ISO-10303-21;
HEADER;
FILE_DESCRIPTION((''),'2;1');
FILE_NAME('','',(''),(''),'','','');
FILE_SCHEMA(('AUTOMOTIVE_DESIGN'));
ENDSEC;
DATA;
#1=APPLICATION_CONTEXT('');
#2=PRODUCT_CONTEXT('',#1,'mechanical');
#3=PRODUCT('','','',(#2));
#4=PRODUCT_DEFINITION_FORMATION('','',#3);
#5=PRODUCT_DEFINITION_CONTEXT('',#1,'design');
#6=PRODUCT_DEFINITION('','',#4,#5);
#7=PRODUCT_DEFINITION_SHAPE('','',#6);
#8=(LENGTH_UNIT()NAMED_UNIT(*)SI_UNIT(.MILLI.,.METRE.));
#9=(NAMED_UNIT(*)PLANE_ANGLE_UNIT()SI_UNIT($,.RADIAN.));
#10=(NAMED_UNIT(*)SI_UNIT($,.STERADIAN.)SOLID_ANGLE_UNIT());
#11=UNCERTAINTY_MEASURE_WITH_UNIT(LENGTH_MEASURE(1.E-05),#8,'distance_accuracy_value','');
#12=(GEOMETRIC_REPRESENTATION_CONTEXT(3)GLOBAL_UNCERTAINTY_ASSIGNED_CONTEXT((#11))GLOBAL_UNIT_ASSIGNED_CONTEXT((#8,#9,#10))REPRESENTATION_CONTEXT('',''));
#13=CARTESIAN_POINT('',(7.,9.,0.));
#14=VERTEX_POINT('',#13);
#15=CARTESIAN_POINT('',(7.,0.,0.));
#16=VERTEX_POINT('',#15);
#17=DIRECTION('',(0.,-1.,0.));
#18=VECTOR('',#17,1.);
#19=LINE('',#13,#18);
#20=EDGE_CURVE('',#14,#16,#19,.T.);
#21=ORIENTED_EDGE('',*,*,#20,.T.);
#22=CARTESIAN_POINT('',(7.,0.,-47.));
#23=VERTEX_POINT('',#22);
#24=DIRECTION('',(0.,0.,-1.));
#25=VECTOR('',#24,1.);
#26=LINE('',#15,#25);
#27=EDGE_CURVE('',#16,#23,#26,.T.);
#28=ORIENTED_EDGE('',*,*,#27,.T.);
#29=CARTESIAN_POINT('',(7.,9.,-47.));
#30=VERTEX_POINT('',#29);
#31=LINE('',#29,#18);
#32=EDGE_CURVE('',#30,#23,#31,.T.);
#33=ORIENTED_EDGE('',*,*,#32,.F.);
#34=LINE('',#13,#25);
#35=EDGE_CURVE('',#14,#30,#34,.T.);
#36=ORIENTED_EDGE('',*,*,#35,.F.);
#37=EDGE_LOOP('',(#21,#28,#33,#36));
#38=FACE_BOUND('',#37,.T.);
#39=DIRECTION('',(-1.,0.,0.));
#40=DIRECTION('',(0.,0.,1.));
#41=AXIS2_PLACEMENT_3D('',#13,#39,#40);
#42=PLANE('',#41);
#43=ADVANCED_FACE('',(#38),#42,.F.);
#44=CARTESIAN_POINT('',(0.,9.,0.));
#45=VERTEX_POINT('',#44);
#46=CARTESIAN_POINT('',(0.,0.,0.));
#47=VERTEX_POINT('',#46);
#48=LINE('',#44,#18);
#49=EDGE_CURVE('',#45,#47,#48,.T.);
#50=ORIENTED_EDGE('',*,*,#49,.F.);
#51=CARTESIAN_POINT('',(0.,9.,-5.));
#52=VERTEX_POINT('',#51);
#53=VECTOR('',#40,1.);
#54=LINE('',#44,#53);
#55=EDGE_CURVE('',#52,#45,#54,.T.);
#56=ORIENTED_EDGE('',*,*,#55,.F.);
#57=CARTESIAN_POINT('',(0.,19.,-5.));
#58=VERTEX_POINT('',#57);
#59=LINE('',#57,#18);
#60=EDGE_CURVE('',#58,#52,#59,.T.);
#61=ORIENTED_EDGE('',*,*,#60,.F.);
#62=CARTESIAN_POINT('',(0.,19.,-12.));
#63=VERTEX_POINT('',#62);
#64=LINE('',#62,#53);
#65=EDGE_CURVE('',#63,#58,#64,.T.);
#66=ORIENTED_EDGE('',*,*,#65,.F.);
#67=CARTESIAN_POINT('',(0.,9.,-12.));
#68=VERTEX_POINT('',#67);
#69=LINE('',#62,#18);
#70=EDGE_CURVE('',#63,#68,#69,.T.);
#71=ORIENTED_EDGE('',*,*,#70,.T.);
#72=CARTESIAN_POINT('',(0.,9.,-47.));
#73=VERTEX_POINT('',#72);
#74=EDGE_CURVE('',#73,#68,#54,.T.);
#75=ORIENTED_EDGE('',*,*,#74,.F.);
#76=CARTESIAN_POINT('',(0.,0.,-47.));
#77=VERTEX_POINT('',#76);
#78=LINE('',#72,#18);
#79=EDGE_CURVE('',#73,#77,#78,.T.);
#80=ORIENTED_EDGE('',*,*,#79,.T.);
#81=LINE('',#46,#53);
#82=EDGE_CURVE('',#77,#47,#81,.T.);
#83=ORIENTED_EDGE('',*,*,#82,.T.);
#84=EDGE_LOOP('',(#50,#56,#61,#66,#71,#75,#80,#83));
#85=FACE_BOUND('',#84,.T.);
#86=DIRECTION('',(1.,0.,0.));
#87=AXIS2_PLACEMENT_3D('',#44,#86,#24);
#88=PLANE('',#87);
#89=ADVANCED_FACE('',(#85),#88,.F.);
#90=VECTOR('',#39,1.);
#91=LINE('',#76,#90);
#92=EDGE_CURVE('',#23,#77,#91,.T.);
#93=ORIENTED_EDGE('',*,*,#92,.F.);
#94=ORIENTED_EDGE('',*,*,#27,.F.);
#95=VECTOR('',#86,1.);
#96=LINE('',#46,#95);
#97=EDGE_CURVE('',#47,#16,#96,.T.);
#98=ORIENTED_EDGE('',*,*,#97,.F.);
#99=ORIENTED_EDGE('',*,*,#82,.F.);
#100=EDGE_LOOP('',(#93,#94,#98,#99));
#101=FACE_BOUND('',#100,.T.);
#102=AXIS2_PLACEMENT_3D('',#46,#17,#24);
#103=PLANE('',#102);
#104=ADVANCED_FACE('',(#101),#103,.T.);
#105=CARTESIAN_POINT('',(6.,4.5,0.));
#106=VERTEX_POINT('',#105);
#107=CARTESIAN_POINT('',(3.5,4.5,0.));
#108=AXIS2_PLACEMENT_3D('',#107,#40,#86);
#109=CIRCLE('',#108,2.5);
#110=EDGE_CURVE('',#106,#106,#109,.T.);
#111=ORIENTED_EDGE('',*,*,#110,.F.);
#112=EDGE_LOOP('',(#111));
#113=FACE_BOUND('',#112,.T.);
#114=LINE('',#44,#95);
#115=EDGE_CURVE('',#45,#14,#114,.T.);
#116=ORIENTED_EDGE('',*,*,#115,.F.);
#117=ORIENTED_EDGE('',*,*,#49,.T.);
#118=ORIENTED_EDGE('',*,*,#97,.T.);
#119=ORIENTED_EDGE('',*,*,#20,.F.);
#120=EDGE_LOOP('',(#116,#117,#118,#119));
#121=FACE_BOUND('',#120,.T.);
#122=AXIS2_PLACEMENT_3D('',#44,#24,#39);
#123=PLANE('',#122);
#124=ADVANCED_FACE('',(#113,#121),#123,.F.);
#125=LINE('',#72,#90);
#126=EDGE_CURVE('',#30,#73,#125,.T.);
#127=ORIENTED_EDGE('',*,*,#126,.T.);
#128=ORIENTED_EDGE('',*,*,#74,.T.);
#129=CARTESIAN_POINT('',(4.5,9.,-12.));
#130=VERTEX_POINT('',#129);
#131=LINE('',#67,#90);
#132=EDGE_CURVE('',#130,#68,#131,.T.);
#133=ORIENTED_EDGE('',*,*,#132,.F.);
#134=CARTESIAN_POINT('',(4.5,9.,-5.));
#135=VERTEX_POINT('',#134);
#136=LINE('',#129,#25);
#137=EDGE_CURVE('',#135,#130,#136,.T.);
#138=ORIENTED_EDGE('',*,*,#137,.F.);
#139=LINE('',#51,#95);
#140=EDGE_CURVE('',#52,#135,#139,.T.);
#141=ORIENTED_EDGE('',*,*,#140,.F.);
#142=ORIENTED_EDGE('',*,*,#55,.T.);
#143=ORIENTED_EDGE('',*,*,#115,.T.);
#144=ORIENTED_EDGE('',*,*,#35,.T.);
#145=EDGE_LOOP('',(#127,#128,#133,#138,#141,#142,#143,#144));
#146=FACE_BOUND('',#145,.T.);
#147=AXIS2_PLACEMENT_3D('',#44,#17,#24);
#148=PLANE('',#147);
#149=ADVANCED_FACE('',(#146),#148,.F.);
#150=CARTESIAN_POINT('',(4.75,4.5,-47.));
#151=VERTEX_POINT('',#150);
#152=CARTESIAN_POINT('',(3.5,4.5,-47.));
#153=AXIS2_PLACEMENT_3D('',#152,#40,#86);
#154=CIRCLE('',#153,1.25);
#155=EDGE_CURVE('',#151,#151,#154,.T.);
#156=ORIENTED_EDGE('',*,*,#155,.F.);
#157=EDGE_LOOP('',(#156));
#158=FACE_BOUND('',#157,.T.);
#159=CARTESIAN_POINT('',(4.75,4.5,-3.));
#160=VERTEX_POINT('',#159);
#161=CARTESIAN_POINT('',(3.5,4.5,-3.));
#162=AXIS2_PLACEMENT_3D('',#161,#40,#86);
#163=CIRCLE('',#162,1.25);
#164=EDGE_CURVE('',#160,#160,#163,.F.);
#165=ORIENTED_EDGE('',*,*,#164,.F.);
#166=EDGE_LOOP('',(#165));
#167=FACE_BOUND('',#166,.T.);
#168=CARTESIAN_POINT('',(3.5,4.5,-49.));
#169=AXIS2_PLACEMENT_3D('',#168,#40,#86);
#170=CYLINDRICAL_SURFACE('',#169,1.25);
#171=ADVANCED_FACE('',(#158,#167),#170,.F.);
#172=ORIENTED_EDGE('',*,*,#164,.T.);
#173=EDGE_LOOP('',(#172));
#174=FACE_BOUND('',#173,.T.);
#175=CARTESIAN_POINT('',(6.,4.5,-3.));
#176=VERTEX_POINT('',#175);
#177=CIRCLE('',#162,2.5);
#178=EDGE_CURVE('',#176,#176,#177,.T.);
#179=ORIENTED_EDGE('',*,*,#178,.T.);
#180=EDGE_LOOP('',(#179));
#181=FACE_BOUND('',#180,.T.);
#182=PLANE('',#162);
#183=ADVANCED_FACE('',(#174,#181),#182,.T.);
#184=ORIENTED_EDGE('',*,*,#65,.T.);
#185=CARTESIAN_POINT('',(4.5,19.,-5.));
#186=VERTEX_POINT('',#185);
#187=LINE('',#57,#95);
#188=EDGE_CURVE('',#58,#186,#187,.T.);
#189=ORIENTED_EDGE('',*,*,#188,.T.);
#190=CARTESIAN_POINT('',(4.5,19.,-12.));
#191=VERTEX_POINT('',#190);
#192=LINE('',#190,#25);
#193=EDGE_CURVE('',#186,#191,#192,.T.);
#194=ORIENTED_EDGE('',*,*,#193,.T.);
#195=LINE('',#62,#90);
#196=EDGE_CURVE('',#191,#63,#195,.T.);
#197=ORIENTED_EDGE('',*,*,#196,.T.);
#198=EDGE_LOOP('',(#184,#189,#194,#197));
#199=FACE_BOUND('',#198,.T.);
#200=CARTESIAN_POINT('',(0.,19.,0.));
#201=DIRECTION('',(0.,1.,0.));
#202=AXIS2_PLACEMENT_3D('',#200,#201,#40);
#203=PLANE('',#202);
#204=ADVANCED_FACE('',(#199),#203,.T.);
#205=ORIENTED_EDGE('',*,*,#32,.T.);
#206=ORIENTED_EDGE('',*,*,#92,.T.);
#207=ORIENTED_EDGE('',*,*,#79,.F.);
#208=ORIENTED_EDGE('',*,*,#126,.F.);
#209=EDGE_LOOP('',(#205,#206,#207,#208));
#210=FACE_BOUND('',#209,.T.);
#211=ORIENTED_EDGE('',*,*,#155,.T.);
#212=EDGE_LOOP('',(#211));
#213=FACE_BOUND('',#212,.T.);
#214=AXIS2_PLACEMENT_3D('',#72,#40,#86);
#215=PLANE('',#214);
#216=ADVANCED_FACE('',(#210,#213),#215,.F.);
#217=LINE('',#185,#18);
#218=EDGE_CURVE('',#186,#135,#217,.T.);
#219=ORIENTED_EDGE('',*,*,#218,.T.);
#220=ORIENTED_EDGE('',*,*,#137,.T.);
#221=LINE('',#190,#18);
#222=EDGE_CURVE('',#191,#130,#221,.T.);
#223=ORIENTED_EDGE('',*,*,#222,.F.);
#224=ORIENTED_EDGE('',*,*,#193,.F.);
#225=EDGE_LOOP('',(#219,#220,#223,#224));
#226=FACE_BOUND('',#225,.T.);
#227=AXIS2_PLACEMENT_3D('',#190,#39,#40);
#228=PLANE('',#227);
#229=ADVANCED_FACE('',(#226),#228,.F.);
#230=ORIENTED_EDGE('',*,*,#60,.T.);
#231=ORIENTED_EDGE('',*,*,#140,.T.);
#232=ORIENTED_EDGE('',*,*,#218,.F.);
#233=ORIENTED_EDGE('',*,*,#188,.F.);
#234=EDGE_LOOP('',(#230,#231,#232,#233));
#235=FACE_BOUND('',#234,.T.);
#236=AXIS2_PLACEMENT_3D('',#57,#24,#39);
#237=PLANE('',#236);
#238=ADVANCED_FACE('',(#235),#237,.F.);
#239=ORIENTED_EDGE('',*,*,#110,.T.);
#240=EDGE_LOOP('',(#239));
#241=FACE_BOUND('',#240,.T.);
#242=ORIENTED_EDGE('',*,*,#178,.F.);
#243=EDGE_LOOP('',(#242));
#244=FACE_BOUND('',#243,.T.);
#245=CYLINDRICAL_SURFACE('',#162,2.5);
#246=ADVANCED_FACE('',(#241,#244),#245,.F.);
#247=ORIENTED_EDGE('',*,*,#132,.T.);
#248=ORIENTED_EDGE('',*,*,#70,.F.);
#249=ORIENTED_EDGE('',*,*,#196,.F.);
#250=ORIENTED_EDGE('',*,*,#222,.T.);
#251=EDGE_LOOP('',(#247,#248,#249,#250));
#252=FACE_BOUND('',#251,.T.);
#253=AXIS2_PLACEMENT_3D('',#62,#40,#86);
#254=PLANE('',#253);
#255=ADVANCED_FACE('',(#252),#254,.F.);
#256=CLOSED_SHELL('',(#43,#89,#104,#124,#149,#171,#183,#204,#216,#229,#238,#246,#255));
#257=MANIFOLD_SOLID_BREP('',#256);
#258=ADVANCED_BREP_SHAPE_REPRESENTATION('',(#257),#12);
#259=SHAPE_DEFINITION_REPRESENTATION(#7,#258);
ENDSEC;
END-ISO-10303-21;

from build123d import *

# Parameters (mm, degrees)
CROQUIS1_W              = 7
CROQUIS1_H              = 47
SALIENTE_EXTRUIR1_DEPTH = 9
CROQUIS2_W              = 4.5
CROQUIS2_H              = 7
SALIENTE_EXTRUIR2_DEPTH = 10
CROQUIS3_R              = 1.25
CORTAR_EXTRUIR1_DEPTH   = 49
CROQUIS6_R              = 2.5
CORTAR_EXTRUIR2_DEPTH   = 3


with BuildPart() as part:
    # Croquis1 → Saliente-Extruir1 (new body)
    with BuildSketch(Plane(origin=(0, 0, 0), x_dir=(1, 0, 0), z_dir=(0, 1, 0))):
        with Locations((3.5, 23.5)):
            Rectangle(CROQUIS1_W, CROQUIS1_H)
    extrude(amount=SALIENTE_EXTRUIR1_DEPTH)

    # Croquis2 → Saliente-Extruir2 (add)
    with BuildSketch(Plane(origin=(0, 9, 0), x_dir=(1, 0, 0), z_dir=(0, 1, 0))):
        with Locations((2.25, 8.5)):
            Rectangle(CROQUIS2_W, CROQUIS2_H)
    extrude(amount=SALIENTE_EXTRUIR2_DEPTH)

    # Croquis3 → Cortar-Extruir1 (cut)
    with BuildSketch(Plane.XY):
        with Locations((3.5, 4.5)):
            Circle(CROQUIS3_R)
    extrude(amount=-CORTAR_EXTRUIR1_DEPTH, mode=Mode.SUBTRACT)

    # Croquis6 → Cortar-Extruir2 (cut)
    with BuildSketch(Plane.XY):
        with Locations((3.5, 4.5)):
            Circle(CROQUIS6_R)
    extrude(amount=-CORTAR_EXTRUIR2_DEPTH, mode=Mode.SUBTRACT)


solid = part.part
